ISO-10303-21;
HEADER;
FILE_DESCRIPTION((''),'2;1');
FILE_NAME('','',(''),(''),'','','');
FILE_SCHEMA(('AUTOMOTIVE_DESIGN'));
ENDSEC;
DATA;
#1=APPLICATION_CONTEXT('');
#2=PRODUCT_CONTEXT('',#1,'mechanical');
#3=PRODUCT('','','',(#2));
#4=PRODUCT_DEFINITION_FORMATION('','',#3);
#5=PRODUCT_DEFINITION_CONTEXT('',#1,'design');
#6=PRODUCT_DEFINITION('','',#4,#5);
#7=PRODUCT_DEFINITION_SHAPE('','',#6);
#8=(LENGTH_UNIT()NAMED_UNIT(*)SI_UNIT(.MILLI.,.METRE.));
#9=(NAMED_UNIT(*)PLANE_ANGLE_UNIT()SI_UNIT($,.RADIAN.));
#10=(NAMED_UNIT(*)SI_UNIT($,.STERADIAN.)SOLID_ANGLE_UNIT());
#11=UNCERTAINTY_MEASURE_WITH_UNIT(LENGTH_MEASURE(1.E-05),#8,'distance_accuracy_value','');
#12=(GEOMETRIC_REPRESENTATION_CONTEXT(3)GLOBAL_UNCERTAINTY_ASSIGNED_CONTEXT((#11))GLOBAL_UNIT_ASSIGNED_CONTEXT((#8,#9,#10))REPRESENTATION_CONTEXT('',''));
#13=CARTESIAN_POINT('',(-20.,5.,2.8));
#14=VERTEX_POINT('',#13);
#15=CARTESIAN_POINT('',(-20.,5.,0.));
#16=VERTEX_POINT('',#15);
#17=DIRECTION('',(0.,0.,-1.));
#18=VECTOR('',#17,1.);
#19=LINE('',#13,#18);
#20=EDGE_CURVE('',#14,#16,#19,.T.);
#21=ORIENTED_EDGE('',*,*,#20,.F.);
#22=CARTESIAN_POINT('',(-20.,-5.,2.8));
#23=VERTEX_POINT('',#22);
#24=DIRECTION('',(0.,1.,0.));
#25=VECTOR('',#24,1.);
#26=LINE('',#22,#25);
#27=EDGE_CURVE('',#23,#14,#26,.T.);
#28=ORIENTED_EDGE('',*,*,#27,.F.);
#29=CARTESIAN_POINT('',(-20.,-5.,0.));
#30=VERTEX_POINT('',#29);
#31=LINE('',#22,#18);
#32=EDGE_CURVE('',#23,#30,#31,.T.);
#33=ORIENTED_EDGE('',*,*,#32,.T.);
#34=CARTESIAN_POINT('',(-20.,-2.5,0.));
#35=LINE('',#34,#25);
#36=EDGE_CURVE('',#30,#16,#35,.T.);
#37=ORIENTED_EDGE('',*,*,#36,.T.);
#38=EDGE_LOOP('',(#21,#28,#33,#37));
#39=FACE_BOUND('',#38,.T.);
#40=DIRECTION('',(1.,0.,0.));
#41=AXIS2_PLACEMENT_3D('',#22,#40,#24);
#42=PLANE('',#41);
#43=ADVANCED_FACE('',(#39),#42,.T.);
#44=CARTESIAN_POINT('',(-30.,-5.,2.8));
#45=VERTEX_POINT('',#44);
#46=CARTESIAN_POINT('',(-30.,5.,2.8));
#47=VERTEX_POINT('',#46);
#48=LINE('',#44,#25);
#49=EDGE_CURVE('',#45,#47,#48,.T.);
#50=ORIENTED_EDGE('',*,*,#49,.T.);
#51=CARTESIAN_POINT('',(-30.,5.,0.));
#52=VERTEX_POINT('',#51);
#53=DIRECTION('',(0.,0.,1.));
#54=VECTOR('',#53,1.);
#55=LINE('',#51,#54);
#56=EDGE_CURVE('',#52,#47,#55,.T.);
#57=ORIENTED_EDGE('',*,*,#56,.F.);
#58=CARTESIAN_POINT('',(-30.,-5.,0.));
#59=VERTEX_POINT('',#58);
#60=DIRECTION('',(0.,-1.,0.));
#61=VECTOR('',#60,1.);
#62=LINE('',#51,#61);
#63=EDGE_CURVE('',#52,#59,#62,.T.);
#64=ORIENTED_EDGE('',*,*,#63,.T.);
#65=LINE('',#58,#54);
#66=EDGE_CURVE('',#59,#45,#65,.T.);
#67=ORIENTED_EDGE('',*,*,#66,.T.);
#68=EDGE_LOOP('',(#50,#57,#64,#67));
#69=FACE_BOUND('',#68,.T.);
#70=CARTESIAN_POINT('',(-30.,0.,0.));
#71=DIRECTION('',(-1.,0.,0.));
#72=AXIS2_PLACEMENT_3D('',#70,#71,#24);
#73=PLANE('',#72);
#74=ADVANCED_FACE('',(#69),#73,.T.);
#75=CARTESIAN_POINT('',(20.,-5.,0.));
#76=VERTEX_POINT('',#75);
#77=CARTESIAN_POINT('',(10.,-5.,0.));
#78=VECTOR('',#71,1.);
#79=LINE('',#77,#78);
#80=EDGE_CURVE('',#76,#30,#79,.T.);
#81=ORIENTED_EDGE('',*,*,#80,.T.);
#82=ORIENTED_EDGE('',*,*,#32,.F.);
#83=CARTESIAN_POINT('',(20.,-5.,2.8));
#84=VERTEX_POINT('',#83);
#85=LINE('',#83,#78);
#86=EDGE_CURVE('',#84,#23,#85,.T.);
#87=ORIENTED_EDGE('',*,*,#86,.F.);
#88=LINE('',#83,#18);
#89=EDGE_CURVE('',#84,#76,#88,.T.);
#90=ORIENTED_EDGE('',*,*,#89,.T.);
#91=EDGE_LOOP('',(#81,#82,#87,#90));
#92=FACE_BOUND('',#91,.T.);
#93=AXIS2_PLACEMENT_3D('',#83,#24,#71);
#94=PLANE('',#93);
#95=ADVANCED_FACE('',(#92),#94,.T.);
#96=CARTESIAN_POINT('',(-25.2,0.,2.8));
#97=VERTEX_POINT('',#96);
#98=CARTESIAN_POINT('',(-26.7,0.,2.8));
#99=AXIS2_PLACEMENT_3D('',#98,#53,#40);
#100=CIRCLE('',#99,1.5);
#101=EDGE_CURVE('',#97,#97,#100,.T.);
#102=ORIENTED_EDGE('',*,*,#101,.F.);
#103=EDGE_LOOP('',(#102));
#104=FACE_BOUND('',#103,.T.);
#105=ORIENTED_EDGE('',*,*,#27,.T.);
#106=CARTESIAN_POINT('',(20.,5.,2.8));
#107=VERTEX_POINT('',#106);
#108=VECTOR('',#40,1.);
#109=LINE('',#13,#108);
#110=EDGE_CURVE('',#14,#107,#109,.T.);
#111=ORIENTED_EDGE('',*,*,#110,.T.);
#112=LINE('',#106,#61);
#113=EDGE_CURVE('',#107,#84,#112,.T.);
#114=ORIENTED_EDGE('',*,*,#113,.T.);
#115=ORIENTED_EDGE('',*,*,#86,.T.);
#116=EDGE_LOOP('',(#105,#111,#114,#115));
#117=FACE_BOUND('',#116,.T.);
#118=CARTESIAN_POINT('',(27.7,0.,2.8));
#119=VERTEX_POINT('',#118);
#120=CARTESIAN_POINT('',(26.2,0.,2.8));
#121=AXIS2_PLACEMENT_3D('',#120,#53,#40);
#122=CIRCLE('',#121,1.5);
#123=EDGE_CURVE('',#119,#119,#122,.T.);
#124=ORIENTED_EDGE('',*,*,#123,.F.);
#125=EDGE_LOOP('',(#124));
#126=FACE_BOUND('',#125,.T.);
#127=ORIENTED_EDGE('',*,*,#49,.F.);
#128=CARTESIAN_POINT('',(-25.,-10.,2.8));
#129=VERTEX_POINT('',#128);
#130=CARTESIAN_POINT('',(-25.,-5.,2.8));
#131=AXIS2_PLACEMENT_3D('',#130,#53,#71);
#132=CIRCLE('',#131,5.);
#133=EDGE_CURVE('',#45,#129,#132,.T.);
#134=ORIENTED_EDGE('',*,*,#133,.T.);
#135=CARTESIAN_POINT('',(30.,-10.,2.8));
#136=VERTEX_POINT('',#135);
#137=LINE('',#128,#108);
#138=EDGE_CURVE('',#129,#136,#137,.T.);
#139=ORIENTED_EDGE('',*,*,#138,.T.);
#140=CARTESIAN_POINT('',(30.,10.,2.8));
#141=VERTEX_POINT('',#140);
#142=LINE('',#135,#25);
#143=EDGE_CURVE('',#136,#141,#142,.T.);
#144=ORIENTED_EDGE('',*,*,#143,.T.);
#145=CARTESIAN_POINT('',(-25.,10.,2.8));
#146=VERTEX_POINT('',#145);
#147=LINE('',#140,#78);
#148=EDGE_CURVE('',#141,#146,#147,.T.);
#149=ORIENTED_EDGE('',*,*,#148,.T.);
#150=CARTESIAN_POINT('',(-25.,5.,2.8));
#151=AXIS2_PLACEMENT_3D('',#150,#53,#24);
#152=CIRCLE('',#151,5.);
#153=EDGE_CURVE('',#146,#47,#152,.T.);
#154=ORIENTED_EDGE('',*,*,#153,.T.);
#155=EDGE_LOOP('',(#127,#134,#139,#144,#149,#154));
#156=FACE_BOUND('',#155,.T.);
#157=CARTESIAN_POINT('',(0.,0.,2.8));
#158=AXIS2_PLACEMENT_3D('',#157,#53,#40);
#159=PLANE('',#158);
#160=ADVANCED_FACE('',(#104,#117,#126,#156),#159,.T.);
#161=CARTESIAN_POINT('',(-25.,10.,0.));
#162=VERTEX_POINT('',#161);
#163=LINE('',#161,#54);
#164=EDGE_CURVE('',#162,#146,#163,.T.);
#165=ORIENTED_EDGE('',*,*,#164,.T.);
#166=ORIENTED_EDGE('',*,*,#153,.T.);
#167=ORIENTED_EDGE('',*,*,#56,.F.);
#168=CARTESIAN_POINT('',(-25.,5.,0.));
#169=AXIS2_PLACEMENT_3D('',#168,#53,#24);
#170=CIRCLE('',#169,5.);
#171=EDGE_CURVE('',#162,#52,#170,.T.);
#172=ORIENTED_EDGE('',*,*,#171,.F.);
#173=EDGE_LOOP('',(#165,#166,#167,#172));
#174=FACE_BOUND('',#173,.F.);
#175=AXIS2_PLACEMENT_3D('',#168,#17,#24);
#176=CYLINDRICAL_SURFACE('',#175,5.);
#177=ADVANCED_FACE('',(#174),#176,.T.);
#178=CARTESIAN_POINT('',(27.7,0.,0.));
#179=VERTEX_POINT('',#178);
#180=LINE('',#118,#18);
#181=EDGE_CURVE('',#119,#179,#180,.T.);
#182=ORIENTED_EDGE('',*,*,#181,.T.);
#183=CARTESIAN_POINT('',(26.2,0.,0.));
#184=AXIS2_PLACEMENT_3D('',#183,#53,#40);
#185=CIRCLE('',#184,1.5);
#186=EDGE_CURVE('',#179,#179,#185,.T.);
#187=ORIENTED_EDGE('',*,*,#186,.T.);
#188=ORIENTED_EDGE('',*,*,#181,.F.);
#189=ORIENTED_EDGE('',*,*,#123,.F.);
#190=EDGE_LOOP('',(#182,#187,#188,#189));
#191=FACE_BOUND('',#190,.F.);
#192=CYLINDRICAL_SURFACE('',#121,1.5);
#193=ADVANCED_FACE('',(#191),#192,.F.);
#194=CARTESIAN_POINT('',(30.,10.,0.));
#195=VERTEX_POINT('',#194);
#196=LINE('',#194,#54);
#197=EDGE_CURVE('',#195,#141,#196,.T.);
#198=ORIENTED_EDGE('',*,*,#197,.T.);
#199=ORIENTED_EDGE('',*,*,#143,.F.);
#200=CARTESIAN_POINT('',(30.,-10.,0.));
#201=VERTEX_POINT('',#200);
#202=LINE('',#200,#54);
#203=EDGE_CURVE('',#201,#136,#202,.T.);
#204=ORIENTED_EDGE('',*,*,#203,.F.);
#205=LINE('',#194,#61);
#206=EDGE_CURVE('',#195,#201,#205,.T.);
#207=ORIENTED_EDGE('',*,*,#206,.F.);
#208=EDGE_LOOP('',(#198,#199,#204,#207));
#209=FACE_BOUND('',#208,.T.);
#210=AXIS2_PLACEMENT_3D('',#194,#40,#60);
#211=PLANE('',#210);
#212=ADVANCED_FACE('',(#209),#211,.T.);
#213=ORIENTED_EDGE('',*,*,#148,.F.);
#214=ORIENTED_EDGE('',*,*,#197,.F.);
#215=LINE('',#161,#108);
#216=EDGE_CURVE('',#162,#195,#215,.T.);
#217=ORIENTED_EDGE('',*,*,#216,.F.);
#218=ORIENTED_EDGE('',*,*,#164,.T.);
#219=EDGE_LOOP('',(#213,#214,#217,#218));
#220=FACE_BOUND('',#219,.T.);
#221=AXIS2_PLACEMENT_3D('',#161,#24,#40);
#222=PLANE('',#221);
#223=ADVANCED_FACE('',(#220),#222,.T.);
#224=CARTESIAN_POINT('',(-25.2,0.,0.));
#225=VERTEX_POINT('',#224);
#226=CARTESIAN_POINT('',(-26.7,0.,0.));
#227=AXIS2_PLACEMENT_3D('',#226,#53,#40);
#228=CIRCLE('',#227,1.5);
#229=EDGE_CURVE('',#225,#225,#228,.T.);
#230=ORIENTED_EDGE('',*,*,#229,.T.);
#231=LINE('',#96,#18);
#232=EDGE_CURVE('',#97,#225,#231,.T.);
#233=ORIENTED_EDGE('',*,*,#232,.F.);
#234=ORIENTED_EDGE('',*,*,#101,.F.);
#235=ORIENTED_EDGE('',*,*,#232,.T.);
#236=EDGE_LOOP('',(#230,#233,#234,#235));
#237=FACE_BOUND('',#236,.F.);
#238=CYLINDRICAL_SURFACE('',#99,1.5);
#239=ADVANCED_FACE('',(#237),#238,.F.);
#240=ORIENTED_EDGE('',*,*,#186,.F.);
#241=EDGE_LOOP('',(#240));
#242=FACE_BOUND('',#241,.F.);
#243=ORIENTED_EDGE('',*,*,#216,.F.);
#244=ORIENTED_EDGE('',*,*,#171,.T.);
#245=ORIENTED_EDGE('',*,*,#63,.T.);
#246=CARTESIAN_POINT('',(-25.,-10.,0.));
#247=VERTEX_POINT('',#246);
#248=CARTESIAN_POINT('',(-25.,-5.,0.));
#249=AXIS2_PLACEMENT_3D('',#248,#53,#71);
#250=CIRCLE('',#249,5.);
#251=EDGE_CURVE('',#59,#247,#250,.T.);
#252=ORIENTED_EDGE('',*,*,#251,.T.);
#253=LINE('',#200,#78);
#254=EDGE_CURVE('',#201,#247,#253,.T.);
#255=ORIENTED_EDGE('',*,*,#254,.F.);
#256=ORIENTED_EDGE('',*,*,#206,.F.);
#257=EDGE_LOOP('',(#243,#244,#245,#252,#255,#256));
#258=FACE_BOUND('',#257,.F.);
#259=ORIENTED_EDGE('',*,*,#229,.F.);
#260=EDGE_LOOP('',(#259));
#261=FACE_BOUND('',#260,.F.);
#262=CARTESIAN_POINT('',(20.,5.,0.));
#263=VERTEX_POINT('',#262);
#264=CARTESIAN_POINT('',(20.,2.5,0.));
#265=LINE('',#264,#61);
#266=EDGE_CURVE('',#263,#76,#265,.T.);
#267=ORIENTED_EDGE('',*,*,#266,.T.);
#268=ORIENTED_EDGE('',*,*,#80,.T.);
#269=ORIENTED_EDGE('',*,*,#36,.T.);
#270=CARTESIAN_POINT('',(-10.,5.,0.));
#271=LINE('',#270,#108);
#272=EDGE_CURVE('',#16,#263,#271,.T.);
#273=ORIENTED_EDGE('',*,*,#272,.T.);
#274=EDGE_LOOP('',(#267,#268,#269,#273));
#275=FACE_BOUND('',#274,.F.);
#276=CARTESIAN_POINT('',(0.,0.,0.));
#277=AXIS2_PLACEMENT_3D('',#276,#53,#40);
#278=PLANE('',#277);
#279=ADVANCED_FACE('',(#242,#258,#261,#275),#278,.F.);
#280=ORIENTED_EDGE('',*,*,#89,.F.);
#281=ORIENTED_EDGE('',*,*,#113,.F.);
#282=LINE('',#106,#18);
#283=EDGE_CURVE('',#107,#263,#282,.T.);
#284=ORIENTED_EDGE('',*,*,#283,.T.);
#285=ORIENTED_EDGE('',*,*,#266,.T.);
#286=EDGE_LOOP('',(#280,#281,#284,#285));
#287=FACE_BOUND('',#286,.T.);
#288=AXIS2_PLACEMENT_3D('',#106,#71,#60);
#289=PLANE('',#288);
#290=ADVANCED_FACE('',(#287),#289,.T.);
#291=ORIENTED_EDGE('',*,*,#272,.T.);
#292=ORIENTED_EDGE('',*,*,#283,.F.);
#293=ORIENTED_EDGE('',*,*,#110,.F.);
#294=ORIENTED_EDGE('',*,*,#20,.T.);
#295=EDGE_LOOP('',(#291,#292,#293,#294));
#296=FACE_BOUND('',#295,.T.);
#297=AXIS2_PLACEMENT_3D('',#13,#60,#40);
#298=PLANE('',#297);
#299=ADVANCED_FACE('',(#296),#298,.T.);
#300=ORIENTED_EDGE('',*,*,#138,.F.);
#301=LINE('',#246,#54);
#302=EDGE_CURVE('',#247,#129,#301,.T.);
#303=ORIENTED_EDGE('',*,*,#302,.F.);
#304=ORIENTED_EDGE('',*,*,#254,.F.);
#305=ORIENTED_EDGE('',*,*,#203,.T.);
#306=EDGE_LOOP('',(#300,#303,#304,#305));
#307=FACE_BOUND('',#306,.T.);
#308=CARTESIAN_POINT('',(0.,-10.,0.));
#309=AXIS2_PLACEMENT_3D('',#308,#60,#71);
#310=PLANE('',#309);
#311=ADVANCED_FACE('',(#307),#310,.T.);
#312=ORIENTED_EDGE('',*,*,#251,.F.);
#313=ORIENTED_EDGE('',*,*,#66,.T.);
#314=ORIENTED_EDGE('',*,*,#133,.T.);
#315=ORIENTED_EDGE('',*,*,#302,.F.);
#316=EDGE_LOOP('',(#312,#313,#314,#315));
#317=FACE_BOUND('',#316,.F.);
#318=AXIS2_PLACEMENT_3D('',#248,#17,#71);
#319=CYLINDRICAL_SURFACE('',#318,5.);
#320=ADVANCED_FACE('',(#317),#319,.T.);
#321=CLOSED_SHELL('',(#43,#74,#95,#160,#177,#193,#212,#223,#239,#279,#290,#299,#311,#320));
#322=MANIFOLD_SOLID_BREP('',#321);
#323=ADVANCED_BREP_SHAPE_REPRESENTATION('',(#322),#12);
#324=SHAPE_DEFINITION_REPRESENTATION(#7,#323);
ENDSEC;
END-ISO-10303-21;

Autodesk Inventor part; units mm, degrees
ref_plane "YZ Plane" through (0, 0, 0) normal (1, 0, 0) x (0, 1, 0)
ref_plane "XZ Plane" through (0, 0, 0) normal (0, 1, 0) x (-1, 0, 0)
ref_plane "XY Plane" through (0, 0, 0) normal (0, 0, 1) x (1, 0, 0)
sketch "Sketch1" plane through (0, 0, 0) normal (0, 0, 1) x (1, 0, 0)
  line L0 (-43.2426, 0) -> (42.2071, 0) projected
  line L1 (0, -15.4497) -> (0, 15.4497) projected
  line L2 (-25, 10) -> (30, 10)
  line L3 (30, 10) -> (30, -10)
  line L4 (30, -10) -> (-25, -10)
  line L5 (-30, -5) -> (-30, 5)
  arc A0 (-25, 10) -> (-30, 5) centre (-25, 5) ccw
  arc A1 (-30, -5) -> (-25, -10) centre (-25, -5) ccw
  point P0 (0, 0)
  point P1 (-30, 10)
  point P2 (-30, -10)
  dimension "d0" = 60
  dimension "d1" = 20
  dimension "d2" = 30
  dimension "d3" = 10
  dimension "d6" = 5
extrude "Extrusion1" add sketch "Sketch1" along normal blind 2.8
sketch "Sketch2" plane through (0, 0, 2.8) normal (0, 0, 1) x (1, 0, 0)
  line L0 (30, 10) -> (30, -10) projected
  line L1 (-30, -5) -> (-30, 5) projected
  circle A0 centre (-26.7, 0) radius 1.5
  circle A1 centre (26.2, 0) radius 1.5
  line L2 (-25, 10) -> (30, 10) projected
  line L3 (-20, 5) -> (20, 5)
  line L4 (20, 5) -> (20, -5)
  line L5 (20, -5) -> (-20, -5)
  line L6 (-20, -5) -> (-20, 5)
  point P0 (0, 0)
  dimension "d7" = 3
  dimension "d8" = 3
  dimension "d9" = 3.8
  dimension "d10" = 3.3
  dimension "d13" = 40
  dimension "d14" = 10
  dimension "d15" = 5
  dimension "d16" = 20
extrude "Extrusion2" cut sketch "Sketch2" against normal blind 10
equation "\"d2\" = 0.5 * d0"
equation "\"d3\" = 0.5 * d1"
properties part number "Acrylic_PitchServoSupport_1"
